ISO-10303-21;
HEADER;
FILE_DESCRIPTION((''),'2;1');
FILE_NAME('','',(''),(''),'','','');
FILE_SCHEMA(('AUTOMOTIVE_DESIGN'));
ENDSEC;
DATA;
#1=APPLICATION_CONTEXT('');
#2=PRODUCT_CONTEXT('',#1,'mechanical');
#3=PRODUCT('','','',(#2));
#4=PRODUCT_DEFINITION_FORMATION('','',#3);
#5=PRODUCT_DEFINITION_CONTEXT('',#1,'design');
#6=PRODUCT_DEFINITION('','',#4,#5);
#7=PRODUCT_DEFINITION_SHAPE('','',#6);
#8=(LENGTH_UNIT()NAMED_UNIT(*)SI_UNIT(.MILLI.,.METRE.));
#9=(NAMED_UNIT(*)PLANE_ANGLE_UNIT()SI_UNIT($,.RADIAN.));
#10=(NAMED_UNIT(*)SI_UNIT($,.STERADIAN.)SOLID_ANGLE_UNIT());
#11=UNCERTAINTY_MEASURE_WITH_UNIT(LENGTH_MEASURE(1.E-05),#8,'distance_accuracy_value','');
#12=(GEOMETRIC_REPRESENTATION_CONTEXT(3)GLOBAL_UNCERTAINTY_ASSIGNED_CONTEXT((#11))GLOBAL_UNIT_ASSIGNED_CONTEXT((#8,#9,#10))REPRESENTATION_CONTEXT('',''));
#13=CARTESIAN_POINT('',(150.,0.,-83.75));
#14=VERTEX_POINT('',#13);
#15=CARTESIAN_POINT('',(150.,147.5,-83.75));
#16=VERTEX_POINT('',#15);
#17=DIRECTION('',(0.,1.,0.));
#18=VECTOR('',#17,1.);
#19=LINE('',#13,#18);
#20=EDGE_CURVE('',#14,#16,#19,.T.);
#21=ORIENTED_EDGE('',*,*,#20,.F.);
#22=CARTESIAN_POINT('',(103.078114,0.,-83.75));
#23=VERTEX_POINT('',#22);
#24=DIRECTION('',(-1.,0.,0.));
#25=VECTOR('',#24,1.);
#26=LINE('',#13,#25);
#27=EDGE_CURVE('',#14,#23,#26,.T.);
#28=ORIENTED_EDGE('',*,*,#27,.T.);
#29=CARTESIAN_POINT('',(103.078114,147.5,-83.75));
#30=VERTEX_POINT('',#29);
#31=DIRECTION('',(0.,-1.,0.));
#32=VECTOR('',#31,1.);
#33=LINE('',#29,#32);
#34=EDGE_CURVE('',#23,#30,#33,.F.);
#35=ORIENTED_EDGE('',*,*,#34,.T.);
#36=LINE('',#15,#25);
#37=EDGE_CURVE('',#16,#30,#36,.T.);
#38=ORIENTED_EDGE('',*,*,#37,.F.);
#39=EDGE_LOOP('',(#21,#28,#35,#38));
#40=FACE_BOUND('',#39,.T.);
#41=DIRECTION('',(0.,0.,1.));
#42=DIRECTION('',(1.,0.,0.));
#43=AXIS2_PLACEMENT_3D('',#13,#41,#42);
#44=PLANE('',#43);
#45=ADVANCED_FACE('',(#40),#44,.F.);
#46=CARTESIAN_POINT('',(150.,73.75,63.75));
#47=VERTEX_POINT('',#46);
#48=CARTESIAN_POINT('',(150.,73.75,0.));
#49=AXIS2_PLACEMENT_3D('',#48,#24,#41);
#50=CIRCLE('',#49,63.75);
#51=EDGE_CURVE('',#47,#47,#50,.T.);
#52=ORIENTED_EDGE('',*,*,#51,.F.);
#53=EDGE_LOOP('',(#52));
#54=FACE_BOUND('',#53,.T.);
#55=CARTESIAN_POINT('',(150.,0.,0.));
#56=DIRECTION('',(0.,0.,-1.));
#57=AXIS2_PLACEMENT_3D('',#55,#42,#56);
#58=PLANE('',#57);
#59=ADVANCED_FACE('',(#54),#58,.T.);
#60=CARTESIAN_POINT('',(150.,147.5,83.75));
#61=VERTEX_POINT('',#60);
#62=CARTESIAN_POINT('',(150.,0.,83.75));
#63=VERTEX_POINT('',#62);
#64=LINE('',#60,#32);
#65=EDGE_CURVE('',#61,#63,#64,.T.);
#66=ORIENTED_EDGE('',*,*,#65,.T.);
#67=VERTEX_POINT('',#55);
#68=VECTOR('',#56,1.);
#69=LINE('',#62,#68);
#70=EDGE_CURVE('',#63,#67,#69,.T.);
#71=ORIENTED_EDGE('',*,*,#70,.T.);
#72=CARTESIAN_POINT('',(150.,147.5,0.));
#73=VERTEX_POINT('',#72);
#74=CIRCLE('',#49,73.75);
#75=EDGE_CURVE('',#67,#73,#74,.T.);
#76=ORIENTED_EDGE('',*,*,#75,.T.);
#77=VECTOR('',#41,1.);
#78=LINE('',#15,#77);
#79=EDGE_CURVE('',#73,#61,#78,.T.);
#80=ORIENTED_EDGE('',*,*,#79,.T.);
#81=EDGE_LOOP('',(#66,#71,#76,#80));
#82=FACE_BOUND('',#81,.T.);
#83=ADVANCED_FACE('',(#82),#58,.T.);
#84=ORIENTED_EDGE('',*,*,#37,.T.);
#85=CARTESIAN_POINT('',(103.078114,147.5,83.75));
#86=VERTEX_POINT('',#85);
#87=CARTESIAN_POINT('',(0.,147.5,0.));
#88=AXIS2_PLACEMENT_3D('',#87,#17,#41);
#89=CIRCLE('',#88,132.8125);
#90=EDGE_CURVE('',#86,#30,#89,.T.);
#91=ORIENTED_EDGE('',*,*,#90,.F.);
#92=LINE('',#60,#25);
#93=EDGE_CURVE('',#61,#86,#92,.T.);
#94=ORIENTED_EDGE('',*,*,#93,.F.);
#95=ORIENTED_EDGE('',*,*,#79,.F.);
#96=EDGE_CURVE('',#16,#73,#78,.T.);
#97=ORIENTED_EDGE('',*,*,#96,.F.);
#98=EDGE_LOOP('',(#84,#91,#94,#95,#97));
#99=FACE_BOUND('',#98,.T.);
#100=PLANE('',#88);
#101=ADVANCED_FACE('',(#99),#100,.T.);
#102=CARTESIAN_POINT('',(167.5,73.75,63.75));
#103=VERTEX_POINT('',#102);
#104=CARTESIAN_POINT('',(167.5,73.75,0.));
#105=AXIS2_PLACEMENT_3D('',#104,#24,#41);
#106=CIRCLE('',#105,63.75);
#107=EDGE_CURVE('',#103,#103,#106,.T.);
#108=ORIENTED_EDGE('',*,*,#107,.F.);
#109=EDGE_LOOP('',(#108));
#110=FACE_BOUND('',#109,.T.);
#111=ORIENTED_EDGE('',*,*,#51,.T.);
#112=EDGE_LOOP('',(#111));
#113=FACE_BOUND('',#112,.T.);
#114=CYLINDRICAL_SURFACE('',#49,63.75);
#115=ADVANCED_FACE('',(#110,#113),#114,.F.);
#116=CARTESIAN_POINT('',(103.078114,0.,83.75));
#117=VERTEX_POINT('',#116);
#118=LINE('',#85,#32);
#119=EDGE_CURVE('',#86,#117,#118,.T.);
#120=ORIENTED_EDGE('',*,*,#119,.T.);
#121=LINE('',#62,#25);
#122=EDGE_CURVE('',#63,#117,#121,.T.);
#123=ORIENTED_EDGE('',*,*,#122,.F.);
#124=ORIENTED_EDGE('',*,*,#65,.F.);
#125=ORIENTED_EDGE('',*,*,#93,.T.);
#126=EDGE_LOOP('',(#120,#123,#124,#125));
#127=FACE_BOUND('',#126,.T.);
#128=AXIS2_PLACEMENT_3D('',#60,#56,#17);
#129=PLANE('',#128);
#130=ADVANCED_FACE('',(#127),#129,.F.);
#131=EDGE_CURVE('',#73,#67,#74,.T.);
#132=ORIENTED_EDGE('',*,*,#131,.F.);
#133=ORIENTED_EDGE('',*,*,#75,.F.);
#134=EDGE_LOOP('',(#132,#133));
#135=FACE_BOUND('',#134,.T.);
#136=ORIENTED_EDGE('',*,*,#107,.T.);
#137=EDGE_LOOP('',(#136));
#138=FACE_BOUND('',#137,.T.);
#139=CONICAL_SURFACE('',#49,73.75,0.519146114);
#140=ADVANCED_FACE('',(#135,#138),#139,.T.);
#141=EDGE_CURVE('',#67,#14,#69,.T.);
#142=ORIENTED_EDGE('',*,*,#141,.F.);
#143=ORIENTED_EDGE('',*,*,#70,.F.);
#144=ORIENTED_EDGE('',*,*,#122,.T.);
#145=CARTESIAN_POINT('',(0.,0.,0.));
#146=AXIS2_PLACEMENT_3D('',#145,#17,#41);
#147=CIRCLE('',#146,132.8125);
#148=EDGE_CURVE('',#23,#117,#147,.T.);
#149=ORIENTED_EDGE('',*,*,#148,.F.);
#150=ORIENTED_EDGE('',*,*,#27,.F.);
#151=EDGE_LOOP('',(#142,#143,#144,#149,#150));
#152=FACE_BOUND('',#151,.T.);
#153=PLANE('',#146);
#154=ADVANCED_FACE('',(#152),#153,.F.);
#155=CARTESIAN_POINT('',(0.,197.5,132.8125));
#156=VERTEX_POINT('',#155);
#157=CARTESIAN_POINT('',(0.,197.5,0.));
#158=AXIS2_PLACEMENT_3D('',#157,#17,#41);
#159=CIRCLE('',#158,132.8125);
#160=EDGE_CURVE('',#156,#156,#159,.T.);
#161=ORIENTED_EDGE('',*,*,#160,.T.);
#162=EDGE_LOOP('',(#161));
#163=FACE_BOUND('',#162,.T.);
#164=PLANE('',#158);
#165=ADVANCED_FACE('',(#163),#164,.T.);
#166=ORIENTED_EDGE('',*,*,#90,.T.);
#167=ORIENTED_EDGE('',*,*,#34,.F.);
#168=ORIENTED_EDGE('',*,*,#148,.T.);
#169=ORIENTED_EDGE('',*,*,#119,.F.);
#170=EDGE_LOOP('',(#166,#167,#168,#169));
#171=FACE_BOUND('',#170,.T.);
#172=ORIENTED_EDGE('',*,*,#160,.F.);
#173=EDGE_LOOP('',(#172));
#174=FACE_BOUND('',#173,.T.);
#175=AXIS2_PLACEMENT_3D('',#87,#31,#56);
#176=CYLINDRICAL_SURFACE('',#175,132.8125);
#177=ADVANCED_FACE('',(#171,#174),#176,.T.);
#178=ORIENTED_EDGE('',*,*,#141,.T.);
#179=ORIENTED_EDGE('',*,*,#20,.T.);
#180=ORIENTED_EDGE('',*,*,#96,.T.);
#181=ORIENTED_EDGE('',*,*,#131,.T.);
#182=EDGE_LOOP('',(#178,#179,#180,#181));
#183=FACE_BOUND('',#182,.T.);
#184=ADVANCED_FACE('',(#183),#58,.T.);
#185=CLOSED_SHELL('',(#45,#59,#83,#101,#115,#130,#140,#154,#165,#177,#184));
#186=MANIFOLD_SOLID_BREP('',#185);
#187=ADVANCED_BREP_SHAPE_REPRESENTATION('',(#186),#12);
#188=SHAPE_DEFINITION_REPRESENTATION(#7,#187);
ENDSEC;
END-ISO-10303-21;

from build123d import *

# Parameters (mm, degrees)
SKETCH1_R           = 132.8125
BOSS_EXTRUDE1_DEPTH = 147.5
SKETCH2_W           = 167.5
SKETCH2_H           = 147.5
BOSS_EXTRUDE2_DEPTH = 150
SKETCH5_R           = 132.8125
BOSS_EXTRUDE3_DEPTH = 50


with BuildPart() as part:
    # Sketch1 → Boss-Extrude1 (new body)
    with BuildSketch(Plane(origin=(0, 0, 0), x_dir=(1, 0, 0), z_dir=(0, 1, 0))):
        with Locations(Location((0, 0, 0), (0, 0, 270))):
            Circle(SKETCH1_R)
    extrude(amount=BOSS_EXTRUDE1_DEPTH)

    # Sketch2 → Boss-Extrude2 (add)
    with BuildSketch(Plane(origin=(0, 0, 0), x_dir=(0, 0, -1), z_dir=(1, 0, 0))):
        with Locations((0, 73.75)):
            Rectangle(SKETCH2_W, SKETCH2_H)
    extrude(amount=BOSS_EXTRUDE2_DEPTH)

    # Sketch4 → Revolve1 (revolve)
    with BuildSketch(Plane.XY, mode=Mode.PRIVATE) as revolve1_sk:
        Polygon((150, 0), (150, 10), (167.5, 10), align=None)
    revolve(revolve1_sk.sketch.rotate(Axis((150, 73.75, 0), (1, 0, 0)), 270), axis=Axis((150, 73.75, 0), (1, 0, 0)))

    # Sketch5 → Boss-Extrude3 (add)
    with BuildSketch(Plane(origin=(0, 147.5, 0), x_dir=(1, 0, 0), z_dir=(0, 1, 0))):
        with Locations(Location((0, 0, 0), (0, 0, 39.093534815))):
            Circle(SKETCH5_R)
    extrude(amount=BOSS_EXTRUDE3_DEPTH)


solid = part.part
